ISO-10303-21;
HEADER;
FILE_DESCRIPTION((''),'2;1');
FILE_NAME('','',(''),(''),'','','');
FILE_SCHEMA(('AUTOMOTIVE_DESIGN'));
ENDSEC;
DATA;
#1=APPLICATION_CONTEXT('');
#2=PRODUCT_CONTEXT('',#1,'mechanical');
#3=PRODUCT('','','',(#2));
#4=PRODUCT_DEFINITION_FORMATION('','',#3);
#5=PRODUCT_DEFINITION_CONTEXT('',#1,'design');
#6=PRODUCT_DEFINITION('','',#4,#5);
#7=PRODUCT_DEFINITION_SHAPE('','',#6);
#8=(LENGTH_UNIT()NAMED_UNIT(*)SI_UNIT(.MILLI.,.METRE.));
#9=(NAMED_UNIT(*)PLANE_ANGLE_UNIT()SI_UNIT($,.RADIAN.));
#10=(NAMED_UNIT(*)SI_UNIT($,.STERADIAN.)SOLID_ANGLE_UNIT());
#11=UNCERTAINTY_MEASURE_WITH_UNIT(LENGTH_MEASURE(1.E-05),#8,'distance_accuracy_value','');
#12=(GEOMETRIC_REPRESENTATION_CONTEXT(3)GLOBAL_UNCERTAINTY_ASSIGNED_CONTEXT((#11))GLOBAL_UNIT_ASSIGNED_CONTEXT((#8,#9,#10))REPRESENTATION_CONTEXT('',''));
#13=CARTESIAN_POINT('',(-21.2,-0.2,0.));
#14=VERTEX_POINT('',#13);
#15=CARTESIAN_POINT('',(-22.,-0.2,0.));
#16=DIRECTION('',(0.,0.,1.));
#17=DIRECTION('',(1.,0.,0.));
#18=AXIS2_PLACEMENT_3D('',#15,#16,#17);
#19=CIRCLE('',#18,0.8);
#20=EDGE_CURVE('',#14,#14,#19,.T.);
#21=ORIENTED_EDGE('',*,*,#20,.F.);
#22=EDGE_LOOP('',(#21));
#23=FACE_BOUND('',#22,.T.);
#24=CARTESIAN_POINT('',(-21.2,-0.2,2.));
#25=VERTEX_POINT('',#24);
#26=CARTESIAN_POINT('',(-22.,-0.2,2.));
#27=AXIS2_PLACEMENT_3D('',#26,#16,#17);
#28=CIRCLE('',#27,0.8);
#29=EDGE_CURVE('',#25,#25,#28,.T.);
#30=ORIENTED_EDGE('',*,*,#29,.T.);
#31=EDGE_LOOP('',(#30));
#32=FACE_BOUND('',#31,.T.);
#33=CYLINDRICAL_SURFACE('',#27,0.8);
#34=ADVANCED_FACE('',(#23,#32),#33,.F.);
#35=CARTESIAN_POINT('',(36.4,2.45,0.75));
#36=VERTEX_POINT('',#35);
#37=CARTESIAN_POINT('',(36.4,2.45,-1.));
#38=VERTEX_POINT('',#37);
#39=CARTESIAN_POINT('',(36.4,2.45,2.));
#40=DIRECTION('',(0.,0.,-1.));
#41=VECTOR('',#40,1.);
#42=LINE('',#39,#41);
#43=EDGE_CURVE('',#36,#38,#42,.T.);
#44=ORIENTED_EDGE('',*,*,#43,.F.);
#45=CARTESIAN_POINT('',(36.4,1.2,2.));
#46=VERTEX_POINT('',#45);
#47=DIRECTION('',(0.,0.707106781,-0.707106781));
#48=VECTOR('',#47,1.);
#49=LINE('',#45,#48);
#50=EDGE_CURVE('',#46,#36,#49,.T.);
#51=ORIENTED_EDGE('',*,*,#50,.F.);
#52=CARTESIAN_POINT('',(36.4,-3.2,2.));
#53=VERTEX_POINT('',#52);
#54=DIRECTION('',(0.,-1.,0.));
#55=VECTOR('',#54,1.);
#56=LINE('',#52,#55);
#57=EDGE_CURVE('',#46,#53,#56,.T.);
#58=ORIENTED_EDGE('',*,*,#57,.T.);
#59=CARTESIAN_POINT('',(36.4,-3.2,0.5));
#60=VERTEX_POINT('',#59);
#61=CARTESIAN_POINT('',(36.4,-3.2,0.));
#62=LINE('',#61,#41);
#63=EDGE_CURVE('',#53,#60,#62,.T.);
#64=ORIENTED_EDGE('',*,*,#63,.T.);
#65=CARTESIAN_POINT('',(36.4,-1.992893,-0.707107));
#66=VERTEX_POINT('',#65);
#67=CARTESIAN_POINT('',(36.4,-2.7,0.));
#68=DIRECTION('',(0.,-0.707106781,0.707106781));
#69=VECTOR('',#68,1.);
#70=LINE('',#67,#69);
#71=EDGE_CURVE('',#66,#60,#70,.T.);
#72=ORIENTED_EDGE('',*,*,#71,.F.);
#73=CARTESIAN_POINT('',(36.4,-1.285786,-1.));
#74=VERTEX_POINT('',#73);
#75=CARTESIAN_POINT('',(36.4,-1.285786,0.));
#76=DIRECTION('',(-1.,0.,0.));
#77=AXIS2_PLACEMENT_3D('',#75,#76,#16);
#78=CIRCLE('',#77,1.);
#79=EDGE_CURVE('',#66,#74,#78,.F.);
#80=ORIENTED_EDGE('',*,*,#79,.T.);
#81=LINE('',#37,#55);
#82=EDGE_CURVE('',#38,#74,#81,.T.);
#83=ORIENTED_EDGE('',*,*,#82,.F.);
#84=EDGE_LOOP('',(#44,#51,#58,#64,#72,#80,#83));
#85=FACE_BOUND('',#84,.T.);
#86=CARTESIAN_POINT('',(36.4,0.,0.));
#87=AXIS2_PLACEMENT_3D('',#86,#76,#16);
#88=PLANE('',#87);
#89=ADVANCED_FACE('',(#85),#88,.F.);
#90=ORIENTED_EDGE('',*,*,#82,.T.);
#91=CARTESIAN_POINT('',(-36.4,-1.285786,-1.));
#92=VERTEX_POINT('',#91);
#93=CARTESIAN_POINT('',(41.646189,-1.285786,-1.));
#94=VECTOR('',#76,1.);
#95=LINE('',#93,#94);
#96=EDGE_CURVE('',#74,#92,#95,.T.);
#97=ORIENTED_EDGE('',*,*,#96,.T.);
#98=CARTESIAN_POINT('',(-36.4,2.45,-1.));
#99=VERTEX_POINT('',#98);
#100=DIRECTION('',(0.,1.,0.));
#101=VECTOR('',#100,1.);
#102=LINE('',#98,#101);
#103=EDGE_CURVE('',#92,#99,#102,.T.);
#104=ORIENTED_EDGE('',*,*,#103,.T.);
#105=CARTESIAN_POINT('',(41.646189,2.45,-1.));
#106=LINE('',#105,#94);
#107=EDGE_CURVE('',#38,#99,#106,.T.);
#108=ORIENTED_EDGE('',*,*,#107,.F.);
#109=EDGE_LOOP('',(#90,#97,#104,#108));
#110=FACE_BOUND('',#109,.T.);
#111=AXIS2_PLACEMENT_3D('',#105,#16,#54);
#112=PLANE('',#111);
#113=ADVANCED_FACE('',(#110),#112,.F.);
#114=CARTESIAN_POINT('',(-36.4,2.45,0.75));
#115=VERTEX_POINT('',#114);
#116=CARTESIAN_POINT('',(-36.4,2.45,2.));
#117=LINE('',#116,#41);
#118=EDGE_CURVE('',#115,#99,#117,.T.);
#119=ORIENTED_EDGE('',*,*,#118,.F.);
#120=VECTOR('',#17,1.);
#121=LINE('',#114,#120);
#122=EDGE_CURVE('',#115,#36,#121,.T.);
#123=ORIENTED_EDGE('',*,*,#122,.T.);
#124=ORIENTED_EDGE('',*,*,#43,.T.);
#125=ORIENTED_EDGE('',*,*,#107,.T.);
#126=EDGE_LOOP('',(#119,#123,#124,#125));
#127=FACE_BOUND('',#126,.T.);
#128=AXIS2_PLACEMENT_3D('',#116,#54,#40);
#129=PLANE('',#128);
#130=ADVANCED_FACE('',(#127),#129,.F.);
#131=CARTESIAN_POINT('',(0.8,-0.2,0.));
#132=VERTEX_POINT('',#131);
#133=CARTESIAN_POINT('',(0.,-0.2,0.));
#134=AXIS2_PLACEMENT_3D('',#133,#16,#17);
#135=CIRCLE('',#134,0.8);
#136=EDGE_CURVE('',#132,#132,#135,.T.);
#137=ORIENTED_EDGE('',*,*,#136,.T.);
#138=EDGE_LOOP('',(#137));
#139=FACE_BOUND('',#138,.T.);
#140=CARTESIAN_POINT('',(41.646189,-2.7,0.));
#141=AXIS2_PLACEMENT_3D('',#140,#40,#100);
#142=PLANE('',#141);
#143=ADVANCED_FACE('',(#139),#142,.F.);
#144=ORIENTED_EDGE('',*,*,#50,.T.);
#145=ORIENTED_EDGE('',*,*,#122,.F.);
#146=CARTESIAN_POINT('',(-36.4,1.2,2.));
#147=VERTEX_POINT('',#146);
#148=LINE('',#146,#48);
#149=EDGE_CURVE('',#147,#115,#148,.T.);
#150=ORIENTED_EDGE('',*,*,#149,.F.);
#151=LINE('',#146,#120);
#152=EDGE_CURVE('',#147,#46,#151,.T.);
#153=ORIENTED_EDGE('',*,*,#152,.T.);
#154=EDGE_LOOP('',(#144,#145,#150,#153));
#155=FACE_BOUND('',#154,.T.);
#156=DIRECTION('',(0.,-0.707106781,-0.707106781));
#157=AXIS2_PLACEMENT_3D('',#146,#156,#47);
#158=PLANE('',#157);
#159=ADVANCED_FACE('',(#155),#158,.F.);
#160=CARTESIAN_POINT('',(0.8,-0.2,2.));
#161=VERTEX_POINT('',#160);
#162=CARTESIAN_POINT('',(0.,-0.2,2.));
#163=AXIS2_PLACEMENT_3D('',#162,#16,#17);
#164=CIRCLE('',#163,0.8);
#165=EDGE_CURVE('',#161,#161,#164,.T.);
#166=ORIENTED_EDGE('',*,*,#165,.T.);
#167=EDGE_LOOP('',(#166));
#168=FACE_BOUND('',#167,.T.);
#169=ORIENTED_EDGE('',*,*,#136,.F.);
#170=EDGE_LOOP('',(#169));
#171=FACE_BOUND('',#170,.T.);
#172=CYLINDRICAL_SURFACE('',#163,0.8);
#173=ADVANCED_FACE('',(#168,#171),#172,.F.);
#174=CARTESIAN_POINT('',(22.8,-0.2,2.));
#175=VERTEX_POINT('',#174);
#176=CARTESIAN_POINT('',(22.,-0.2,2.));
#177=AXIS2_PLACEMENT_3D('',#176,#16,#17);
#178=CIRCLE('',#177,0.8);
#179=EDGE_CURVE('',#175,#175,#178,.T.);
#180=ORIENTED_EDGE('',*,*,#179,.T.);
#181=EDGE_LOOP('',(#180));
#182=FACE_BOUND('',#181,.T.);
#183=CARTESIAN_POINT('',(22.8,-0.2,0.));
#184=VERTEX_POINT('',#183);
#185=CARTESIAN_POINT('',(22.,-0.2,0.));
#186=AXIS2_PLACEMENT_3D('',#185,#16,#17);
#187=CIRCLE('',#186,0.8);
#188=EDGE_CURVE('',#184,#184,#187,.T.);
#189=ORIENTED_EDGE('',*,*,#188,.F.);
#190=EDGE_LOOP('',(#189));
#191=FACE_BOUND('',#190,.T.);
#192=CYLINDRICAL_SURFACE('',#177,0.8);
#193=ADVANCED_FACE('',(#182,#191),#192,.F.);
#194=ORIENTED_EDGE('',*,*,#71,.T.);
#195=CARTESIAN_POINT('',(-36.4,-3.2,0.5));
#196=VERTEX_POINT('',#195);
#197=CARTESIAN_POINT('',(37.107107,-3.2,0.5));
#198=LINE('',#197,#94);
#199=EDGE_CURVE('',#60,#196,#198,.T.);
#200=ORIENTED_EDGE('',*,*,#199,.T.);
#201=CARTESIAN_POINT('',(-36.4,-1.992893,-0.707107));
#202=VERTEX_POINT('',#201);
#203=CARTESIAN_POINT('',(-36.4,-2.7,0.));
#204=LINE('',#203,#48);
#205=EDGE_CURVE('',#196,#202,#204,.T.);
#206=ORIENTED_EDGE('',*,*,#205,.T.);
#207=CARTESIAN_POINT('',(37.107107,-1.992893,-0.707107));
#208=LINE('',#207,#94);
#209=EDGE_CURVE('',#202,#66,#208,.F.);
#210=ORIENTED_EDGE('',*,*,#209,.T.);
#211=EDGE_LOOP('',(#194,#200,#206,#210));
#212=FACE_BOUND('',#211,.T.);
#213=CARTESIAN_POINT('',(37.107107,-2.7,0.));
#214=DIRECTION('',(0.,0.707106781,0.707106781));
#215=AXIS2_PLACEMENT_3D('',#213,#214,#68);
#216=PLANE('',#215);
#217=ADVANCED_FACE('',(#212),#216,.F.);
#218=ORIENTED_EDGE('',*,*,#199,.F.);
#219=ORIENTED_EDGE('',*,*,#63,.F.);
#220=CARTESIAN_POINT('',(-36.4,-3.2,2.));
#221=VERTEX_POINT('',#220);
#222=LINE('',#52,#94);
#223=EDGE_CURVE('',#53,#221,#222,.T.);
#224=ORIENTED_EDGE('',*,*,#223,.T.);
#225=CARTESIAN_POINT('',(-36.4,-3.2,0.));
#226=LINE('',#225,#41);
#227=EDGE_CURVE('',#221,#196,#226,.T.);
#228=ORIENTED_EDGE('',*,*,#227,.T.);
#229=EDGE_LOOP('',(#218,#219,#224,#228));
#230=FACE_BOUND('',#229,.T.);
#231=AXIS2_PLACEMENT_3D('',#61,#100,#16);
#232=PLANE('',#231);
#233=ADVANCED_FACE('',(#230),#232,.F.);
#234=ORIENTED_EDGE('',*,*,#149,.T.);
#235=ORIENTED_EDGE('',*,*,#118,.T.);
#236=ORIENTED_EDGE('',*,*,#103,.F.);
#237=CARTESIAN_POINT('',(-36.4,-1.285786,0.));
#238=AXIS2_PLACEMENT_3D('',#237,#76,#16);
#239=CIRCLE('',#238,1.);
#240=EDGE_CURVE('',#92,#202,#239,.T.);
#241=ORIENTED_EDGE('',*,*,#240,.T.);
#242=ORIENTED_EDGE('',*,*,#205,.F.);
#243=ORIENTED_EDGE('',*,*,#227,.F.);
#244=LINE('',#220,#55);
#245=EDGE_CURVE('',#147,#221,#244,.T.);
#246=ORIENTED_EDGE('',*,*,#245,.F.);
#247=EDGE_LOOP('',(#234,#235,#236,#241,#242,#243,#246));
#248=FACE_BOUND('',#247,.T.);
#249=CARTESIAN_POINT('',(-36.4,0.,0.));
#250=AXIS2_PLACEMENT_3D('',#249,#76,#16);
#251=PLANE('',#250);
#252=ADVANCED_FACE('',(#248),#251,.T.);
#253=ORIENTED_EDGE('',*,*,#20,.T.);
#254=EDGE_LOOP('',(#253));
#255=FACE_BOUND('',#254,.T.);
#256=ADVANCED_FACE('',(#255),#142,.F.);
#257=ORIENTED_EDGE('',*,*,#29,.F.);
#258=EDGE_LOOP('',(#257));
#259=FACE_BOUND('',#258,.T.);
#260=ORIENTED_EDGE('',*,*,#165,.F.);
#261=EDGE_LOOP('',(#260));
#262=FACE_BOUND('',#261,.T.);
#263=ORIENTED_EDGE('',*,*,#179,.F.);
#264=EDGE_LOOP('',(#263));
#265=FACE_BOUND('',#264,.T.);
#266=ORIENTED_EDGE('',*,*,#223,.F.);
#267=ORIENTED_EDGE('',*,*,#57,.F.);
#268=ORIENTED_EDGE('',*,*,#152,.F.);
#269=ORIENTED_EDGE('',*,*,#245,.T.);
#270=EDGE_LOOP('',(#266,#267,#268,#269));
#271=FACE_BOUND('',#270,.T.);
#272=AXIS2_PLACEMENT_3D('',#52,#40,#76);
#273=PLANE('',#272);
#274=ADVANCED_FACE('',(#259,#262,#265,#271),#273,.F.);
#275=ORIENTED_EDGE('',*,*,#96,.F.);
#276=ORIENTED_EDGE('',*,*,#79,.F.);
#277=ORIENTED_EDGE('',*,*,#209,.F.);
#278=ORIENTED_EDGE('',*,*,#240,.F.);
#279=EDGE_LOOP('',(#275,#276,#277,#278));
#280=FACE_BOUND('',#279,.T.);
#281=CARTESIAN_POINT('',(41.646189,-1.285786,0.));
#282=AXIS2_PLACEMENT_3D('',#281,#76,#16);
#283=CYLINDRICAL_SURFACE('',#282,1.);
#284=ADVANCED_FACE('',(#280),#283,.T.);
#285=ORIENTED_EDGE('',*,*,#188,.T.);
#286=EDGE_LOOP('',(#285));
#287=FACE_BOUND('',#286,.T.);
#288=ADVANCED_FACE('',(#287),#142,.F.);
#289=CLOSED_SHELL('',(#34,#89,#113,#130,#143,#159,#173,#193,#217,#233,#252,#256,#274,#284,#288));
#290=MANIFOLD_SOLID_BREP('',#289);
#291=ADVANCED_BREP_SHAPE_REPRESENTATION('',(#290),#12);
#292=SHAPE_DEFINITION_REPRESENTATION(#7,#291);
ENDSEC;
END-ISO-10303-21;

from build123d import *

# Parameters (mm, degrees)
SKETCH1_W                       = 2
SKETCH1_H                       = 6.4
BOSS_EXTRUDE1_DEPTH             = 36.4
CUT_EXTRUDE8_DEPTH              = 37.595081637
CUT_EXTRUDE8_DEPTH_BACK         = 37.595081637
SKETCH15_W                      = 2
SKETCH15_H                      = 0.75
CUT_EXTRUDE5_DEPTH              = 72.8
M2X0_4_TAPPED_HOLE1_D           = 1.6
M2X0_4_TAPPED_HOLE1_DEPTH       = 3.6
M2X0_4_TAPPED_HOLE1_TIP         = 0.480688495
CUT_EXTRUDE9_DEPTH              = 37.595081637
CUT_EXTRUDE9_DEPTH_BACK         = 37.595081637
BOSS_EXTRUDE8_REACH             = 38.595
BOSS_EXTRUDE8_DIRECTION_2_REACH = 38.595
FILLET7_R                       = 1


with BuildPart() as part:
    # Sketch1 → Boss-Extrude1 (new, symmetric)
    with BuildSketch(Plane(origin=(0, 0, 0), x_dir=(0, 0, -1), z_dir=(1, 0, 0))):
        with Locations((-1, 0)):
            Rectangle(SKETCH1_W, SKETCH1_H)
    extrude(amount=BOSS_EXTRUDE1_DEPTH, both=True)

    # Sketch15 → Cut-Extrude8 (cut, two sides: drawn at the far end of the back side and taken through both)
    with BuildSketch(Plane(origin=(0, 0, 0), x_dir=(0, 0, -1), z_dir=(1, 0, 0)).offset(-CUT_EXTRUDE8_DEPTH_BACK)):
        with Locations((-1, 2.825)):
            Rectangle(SKETCH15_W, SKETCH15_H)
    extrude(amount=CUT_EXTRUDE8_DEPTH + CUT_EXTRUDE8_DEPTH_BACK, mode=Mode.SUBTRACT)

    # Sketch5 → Cut-Extrude5 (cut)
    with BuildSketch(Plane.ZY.offset(36.4)):
        Polygon((0, -3.2), (0.5, -3.2), (0, -2.7), align=None)
    extrude(amount=-CUT_EXTRUDE5_DEPTH, mode=Mode.SUBTRACT)

    # M2x0.4 Tapped Hole1
    with Locations(Plane.XY.offset(2)):
        with Locations((-22, -0.2), (22, -0.2), (0, -0.2)):
            Hole(M2X0_4_TAPPED_HOLE1_D / 2, depth=M2X0_4_TAPPED_HOLE1_DEPTH)
            with Locations((0, 0, -(M2X0_4_TAPPED_HOLE1_DEPTH + M2X0_4_TAPPED_HOLE1_TIP / 2))):  # 118° drill point
                Cone(0, M2X0_4_TAPPED_HOLE1_D / 2, M2X0_4_TAPPED_HOLE1_TIP, mode=Mode.SUBTRACT)

    # Sketch16 → Cut-Extrude9 (cut, two sides: drawn at the far end of the back side and taken through both)
    with BuildSketch(Plane(origin=(0, 0, 0), x_dir=(0, 0, -1), z_dir=(1, 0, 0)).offset(-CUT_EXTRUDE9_DEPTH_BACK)):
        Polygon((0, 3.2), (-2, 3.2), (-2, 1.2), align=None)
    extrude(amount=CUT_EXTRUDE9_DEPTH + CUT_EXTRUDE9_DEPTH_BACK, mode=Mode.SUBTRACT)

    # Boss-Extrude8: up to this face of the body (flat: up to its plane)
    boss_extrude8_end = Plane(part.part.faces().sort_by_distance((36.4, -0.524052916, 0.966175586))[0])
    # Sketch17 → Boss-Extrude8 (add, up to the picked face)
    with BuildSketch(Plane(origin=(0, 0, 0), x_dir=(0, 0, -1), z_dir=(1, 0, 0)), mode=Mode.PRIVATE) as boss_extrude8_sk1:
        Polygon((0, 2.45), (1, 2.45), (1, -1.7), (0, -2.7), align=None)
    boss_extrude8_tool1 = split(extrude(boss_extrude8_sk1.sketch, amount=BOSS_EXTRUDE8_REACH, mode=Mode.PRIVATE), bisect_by=boss_extrude8_end, keep=Keep.BOTH, mode=Mode.PRIVATE)
    add(boss_extrude8_tool1.solids().sort_by(Axis((0, 0.116039, -0.482079), (1, 0, 0)))[0])

    # Boss-Extrude8 direction 2: up to this face of the body (flat: up to its plane)
    boss_extrude8_direction_2_end = Plane(part.part.faces().sort_by_distance((-36.4, -0.524052916, 0.966175586))[0])
    # Sketch17 → Boss-Extrude8 direction 2 (add, up to the picked face)
    with BuildSketch(Plane(origin=(0, 0, 0), x_dir=(0, 0, -1), z_dir=(1, 0, 0)), mode=Mode.PRIVATE) as boss_extrude8_direction_2_sk1:
        Polygon((0, 2.45), (1, 2.45), (1, -1.7), (0, -2.7), align=None)
    boss_extrude8_direction_2_tool1 = split(extrude(boss_extrude8_direction_2_sk1.sketch, amount=-BOSS_EXTRUDE8_DIRECTION_2_REACH, mode=Mode.PRIVATE), bisect_by=boss_extrude8_direction_2_end, keep=Keep.BOTH, mode=Mode.PRIVATE)
    add(boss_extrude8_direction_2_tool1.solids().sort_by(Axis((0, 0.116039, -0.482079), (-1, 0, 0)))[0])

    # Fillet7
    fillet7_edges = [part.edges().sort_by_distance(p)[0] for p in [
        (0, -1.7, -1),
    ]]
    fillet(fillet7_edges, radius=FILLET7_R)


solid = part.part
